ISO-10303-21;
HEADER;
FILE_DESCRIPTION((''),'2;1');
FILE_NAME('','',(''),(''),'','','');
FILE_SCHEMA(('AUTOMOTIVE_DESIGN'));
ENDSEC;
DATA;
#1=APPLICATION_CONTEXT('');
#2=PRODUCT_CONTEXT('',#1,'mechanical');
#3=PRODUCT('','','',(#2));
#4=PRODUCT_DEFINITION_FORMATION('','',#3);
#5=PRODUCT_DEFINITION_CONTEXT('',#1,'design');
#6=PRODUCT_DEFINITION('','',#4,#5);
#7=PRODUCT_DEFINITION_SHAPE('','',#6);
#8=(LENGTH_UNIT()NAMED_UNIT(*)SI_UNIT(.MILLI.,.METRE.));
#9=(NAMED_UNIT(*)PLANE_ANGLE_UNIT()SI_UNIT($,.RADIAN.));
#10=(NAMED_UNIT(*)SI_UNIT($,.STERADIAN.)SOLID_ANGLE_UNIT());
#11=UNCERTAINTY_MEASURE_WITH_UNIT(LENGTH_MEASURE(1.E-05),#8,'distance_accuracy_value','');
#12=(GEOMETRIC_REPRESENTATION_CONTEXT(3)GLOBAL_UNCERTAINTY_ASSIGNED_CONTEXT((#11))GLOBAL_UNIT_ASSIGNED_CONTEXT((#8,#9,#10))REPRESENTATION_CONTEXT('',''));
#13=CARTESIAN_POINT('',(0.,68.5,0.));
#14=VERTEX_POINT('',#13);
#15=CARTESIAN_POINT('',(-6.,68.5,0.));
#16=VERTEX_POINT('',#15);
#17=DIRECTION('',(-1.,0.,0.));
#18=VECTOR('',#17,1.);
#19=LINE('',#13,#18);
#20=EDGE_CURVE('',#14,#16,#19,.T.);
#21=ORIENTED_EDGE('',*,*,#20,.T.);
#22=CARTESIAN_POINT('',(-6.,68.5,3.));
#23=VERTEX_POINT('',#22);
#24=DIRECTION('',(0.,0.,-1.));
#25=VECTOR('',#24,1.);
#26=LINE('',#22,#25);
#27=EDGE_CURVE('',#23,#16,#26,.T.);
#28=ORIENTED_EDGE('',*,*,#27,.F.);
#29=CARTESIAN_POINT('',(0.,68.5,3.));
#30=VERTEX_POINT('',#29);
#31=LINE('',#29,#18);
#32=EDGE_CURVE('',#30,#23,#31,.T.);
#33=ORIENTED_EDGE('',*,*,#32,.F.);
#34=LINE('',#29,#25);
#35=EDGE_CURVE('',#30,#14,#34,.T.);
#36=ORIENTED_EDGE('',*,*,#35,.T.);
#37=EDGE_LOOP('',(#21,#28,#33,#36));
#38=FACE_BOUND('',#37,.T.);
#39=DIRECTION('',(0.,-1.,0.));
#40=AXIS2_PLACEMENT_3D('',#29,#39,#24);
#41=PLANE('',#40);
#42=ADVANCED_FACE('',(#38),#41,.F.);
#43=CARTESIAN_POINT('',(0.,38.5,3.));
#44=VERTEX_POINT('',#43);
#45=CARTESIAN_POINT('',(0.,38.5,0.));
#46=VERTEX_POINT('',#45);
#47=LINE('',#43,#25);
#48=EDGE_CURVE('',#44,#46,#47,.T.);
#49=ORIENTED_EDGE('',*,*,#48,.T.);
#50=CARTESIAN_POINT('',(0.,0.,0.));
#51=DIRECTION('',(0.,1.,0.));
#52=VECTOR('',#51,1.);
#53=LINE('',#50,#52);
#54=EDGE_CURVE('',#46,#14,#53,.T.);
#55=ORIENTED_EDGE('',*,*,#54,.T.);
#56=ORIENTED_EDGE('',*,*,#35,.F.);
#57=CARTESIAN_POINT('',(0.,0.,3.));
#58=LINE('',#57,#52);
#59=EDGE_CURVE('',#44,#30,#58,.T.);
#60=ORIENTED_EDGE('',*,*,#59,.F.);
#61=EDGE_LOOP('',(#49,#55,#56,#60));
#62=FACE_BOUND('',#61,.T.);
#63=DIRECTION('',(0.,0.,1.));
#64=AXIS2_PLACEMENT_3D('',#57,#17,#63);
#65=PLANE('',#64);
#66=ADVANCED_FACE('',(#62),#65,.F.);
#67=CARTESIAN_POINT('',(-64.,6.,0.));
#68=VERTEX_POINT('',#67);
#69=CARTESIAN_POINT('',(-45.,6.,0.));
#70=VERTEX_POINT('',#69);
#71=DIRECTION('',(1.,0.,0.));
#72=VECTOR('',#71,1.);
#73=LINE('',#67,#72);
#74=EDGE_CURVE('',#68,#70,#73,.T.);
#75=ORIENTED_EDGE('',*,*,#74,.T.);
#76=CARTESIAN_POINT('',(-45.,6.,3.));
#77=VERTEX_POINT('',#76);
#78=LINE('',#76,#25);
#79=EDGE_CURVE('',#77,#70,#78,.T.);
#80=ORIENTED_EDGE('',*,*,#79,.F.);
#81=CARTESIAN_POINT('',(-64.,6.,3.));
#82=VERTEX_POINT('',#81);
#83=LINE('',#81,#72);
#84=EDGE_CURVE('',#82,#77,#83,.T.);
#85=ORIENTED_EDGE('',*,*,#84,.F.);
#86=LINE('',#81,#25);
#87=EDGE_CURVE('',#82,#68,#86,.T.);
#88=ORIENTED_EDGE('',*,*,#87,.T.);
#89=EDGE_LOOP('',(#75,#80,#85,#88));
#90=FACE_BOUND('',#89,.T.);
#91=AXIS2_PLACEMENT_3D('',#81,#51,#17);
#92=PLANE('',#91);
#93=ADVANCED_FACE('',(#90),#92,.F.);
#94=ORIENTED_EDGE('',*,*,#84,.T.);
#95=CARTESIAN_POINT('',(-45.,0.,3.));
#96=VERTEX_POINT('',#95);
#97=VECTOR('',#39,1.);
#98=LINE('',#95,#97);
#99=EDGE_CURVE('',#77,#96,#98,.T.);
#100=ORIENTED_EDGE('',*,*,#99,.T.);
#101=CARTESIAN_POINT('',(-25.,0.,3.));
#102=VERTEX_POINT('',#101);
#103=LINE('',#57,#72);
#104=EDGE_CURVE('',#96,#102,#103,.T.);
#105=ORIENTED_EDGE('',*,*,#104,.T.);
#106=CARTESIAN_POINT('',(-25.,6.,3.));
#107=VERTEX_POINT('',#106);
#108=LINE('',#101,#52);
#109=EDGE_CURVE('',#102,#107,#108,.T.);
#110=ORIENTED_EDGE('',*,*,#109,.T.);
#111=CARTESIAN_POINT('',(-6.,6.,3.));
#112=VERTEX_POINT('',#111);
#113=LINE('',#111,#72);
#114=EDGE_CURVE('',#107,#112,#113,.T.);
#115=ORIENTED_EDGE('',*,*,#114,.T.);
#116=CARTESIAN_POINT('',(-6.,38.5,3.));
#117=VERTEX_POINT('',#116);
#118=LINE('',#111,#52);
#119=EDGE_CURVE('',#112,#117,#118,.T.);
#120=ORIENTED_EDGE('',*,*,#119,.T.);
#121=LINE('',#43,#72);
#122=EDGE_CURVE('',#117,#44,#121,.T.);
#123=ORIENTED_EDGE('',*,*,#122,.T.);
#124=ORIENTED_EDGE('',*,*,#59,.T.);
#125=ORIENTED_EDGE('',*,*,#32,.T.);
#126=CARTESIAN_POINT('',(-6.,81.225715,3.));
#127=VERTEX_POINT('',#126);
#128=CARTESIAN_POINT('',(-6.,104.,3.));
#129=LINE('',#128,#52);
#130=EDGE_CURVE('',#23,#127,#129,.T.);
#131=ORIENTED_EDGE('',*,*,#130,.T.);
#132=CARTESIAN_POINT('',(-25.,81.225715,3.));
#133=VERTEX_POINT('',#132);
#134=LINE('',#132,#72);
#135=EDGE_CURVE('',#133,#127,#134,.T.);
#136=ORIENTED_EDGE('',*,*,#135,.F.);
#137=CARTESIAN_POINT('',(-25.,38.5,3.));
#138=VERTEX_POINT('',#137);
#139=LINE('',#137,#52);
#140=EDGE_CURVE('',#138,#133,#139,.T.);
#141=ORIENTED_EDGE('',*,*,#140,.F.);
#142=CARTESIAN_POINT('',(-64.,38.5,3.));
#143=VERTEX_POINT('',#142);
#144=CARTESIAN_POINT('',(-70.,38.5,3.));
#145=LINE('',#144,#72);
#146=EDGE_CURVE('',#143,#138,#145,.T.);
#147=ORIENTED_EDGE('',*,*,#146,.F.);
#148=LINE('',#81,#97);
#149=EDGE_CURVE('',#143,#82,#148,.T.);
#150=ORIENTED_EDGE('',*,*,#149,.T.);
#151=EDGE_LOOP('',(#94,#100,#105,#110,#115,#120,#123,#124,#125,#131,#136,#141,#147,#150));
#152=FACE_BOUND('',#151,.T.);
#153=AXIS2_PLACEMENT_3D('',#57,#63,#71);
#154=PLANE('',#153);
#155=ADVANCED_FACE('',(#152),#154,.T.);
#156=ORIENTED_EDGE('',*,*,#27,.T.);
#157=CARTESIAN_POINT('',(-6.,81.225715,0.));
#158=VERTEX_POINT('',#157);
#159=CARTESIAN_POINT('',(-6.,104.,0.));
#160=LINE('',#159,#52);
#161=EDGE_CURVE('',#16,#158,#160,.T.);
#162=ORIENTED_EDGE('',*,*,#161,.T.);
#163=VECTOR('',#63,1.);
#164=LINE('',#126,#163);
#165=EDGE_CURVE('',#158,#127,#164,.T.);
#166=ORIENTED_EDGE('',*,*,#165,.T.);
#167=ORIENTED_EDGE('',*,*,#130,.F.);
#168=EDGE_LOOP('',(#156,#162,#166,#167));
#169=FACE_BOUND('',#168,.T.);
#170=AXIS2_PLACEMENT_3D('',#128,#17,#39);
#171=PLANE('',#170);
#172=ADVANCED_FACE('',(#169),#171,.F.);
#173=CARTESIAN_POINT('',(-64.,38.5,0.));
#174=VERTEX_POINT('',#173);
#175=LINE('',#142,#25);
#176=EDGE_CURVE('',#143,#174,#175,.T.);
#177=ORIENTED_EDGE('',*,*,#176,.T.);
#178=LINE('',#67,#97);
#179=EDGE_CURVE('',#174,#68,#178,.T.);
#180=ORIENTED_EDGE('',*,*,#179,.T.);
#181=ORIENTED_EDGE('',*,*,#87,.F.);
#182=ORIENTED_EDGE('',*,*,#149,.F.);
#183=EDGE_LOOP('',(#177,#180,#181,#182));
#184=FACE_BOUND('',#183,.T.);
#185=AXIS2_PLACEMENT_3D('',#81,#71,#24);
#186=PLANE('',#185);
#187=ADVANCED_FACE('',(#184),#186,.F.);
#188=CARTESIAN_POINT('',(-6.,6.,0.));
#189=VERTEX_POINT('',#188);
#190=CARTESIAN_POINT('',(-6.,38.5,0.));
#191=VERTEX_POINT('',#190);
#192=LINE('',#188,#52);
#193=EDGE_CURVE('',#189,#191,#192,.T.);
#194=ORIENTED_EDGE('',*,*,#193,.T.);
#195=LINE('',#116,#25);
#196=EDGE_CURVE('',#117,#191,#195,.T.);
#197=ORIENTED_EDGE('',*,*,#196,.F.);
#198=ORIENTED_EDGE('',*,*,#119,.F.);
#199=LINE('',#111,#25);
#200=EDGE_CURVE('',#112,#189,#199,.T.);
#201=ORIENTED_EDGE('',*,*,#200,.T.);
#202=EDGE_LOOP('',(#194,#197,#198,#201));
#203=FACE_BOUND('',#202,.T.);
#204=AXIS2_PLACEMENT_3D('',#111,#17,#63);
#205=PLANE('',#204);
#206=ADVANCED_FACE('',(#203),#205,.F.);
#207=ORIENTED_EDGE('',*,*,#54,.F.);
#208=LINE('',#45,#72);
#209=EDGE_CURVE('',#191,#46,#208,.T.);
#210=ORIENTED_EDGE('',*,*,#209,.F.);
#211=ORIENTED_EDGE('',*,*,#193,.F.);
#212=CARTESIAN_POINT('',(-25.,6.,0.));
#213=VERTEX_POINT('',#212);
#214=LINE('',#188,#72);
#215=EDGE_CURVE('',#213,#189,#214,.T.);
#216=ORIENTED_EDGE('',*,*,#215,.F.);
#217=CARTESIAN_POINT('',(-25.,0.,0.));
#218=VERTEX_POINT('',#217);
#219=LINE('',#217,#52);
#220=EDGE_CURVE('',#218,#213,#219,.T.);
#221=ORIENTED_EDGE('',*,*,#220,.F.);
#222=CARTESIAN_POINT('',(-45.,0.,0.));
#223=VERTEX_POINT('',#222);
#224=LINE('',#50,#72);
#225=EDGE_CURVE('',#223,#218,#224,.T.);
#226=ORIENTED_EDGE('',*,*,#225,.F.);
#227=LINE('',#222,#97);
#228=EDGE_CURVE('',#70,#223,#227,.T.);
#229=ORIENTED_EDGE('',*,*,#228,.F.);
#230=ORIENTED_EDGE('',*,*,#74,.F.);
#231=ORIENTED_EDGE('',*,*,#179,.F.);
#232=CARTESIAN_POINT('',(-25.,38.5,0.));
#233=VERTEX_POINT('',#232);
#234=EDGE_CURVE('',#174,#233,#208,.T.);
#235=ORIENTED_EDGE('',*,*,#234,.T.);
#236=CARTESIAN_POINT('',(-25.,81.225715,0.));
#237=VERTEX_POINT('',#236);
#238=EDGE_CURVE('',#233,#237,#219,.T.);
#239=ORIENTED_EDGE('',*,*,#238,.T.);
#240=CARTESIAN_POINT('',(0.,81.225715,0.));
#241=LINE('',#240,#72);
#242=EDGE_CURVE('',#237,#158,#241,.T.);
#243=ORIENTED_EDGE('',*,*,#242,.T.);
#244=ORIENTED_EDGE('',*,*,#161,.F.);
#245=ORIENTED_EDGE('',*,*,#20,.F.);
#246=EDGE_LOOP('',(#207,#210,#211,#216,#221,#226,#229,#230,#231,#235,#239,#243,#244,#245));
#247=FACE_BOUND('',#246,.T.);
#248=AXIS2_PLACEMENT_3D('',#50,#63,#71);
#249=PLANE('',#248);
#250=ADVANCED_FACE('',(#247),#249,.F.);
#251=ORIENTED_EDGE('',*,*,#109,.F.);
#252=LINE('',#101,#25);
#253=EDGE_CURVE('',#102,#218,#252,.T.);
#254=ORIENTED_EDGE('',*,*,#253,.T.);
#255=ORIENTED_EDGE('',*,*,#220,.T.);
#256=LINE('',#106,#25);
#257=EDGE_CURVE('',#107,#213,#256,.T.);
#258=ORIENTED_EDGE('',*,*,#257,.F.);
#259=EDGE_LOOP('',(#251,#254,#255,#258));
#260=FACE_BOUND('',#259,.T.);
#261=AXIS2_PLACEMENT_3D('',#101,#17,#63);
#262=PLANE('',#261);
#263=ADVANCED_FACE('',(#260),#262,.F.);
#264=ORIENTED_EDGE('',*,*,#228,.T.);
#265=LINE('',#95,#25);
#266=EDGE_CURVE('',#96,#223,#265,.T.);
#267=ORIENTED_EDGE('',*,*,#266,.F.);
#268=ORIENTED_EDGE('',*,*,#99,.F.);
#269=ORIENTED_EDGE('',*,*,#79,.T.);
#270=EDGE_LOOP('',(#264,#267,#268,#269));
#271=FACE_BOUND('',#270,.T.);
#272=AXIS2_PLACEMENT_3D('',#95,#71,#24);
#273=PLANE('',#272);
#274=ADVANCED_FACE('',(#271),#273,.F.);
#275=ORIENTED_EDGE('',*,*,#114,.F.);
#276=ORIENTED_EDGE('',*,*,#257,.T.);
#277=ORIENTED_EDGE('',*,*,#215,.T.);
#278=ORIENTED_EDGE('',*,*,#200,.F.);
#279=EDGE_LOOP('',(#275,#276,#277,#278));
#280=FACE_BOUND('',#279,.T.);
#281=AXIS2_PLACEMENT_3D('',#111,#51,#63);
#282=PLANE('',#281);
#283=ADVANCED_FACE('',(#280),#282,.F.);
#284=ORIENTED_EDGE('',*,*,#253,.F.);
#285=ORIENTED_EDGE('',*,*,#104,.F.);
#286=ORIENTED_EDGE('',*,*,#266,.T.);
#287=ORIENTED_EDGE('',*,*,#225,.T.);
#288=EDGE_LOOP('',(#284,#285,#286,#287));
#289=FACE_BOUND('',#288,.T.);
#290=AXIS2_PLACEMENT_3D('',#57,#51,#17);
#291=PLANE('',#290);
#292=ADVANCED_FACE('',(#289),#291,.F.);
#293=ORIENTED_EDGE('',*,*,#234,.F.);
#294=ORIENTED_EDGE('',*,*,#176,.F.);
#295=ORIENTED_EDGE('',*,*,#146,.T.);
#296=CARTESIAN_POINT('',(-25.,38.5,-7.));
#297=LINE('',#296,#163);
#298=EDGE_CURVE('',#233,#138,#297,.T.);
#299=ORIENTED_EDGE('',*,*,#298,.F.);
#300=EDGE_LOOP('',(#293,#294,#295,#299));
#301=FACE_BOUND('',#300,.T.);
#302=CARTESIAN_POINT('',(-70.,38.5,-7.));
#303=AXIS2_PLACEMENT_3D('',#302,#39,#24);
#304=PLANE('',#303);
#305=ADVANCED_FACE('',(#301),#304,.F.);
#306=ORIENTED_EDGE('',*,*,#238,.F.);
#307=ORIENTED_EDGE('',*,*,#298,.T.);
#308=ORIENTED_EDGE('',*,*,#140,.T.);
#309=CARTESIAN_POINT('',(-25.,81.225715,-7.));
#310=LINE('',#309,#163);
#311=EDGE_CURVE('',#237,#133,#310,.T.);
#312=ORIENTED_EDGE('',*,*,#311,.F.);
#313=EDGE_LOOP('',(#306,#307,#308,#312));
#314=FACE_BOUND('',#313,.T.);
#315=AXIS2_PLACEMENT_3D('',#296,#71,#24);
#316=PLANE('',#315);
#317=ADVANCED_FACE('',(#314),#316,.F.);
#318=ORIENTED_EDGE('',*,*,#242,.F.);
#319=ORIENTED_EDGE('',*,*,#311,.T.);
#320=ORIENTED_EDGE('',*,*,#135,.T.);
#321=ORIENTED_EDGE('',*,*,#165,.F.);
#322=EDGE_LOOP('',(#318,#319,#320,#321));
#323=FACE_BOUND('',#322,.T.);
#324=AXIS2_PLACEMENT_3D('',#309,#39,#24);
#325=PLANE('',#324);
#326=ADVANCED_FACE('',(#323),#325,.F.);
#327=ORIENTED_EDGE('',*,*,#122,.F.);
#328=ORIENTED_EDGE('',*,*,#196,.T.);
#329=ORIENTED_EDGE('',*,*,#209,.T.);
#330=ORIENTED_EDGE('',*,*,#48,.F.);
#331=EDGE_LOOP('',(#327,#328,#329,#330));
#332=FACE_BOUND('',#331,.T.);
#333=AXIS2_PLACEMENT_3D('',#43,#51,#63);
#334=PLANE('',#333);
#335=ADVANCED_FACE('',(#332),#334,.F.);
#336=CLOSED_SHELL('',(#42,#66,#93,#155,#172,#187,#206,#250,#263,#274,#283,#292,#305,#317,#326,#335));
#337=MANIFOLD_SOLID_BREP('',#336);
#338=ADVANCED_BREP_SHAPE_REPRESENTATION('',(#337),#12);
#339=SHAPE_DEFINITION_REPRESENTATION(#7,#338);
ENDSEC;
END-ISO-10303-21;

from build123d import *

# Parameters (mm, degrees)
ESQUISSE1_W             = 70
ESQUISSE1_H             = 110
BOSS_EXTRU_1_DEPTH      = 3
ENL_V_MAT_EXTRU_1_DEPTH = 131.418556962
ENL_V_MAT_EXTRU_2_DEPTH = 10


with BuildPart() as part:
    # Esquisse1 → Boss.-Extru.1 (new body)
    with BuildSketch(Plane.XY):
        with Locations((-35, 55)):
            Rectangle(ESQUISSE1_W, ESQUISSE1_H)
    extrude(amount=BOSS_EXTRU_1_DEPTH)

    # Esquisse2 → Enlèv. mat.-Extru.1 (cut, through all)
    with BuildSketch(Plane(origin=(0, 0, 0), x_dir=(-1, 0, 0), z_dir=(0, 0, -1))):
        Polygon((0, 110), (25, 110), (25, 104), (6, 104), (6, 68.5), (0, 68.5), align=None)
        Polygon((70, 110), (45, 110), (45, 104), (64, 104), (64, 68.5), (70, 68.5), align=None)
        Polygon((0, 0), (25, 0), (25, 6), (6, 6), (6, 38.5), (0, 38.5), align=None)
        Polygon((45, 0), (70, 0), (70, 38.5), (64, 38.5), (64, 6), (45, 6), align=None)
    extrude(amount=-ENL_V_MAT_EXTRU_1_DEPTH, mode=Mode.SUBTRACT)

    # Esquisse3 → Enlèv. mat.-Extru.2 (cut)
    with BuildSketch(Plane.XY.offset(3)):
        Polygon((-70, 38.5), (-25, 38.5), (-25, 81.225715449), (-2.235916109, 81.225715449), (-2.235916109, 110), (-25, 110), (-70, 110), align=None)
    extrude(amount=-ENL_V_MAT_EXTRU_2_DEPTH, mode=Mode.SUBTRACT)


solid = part.part
